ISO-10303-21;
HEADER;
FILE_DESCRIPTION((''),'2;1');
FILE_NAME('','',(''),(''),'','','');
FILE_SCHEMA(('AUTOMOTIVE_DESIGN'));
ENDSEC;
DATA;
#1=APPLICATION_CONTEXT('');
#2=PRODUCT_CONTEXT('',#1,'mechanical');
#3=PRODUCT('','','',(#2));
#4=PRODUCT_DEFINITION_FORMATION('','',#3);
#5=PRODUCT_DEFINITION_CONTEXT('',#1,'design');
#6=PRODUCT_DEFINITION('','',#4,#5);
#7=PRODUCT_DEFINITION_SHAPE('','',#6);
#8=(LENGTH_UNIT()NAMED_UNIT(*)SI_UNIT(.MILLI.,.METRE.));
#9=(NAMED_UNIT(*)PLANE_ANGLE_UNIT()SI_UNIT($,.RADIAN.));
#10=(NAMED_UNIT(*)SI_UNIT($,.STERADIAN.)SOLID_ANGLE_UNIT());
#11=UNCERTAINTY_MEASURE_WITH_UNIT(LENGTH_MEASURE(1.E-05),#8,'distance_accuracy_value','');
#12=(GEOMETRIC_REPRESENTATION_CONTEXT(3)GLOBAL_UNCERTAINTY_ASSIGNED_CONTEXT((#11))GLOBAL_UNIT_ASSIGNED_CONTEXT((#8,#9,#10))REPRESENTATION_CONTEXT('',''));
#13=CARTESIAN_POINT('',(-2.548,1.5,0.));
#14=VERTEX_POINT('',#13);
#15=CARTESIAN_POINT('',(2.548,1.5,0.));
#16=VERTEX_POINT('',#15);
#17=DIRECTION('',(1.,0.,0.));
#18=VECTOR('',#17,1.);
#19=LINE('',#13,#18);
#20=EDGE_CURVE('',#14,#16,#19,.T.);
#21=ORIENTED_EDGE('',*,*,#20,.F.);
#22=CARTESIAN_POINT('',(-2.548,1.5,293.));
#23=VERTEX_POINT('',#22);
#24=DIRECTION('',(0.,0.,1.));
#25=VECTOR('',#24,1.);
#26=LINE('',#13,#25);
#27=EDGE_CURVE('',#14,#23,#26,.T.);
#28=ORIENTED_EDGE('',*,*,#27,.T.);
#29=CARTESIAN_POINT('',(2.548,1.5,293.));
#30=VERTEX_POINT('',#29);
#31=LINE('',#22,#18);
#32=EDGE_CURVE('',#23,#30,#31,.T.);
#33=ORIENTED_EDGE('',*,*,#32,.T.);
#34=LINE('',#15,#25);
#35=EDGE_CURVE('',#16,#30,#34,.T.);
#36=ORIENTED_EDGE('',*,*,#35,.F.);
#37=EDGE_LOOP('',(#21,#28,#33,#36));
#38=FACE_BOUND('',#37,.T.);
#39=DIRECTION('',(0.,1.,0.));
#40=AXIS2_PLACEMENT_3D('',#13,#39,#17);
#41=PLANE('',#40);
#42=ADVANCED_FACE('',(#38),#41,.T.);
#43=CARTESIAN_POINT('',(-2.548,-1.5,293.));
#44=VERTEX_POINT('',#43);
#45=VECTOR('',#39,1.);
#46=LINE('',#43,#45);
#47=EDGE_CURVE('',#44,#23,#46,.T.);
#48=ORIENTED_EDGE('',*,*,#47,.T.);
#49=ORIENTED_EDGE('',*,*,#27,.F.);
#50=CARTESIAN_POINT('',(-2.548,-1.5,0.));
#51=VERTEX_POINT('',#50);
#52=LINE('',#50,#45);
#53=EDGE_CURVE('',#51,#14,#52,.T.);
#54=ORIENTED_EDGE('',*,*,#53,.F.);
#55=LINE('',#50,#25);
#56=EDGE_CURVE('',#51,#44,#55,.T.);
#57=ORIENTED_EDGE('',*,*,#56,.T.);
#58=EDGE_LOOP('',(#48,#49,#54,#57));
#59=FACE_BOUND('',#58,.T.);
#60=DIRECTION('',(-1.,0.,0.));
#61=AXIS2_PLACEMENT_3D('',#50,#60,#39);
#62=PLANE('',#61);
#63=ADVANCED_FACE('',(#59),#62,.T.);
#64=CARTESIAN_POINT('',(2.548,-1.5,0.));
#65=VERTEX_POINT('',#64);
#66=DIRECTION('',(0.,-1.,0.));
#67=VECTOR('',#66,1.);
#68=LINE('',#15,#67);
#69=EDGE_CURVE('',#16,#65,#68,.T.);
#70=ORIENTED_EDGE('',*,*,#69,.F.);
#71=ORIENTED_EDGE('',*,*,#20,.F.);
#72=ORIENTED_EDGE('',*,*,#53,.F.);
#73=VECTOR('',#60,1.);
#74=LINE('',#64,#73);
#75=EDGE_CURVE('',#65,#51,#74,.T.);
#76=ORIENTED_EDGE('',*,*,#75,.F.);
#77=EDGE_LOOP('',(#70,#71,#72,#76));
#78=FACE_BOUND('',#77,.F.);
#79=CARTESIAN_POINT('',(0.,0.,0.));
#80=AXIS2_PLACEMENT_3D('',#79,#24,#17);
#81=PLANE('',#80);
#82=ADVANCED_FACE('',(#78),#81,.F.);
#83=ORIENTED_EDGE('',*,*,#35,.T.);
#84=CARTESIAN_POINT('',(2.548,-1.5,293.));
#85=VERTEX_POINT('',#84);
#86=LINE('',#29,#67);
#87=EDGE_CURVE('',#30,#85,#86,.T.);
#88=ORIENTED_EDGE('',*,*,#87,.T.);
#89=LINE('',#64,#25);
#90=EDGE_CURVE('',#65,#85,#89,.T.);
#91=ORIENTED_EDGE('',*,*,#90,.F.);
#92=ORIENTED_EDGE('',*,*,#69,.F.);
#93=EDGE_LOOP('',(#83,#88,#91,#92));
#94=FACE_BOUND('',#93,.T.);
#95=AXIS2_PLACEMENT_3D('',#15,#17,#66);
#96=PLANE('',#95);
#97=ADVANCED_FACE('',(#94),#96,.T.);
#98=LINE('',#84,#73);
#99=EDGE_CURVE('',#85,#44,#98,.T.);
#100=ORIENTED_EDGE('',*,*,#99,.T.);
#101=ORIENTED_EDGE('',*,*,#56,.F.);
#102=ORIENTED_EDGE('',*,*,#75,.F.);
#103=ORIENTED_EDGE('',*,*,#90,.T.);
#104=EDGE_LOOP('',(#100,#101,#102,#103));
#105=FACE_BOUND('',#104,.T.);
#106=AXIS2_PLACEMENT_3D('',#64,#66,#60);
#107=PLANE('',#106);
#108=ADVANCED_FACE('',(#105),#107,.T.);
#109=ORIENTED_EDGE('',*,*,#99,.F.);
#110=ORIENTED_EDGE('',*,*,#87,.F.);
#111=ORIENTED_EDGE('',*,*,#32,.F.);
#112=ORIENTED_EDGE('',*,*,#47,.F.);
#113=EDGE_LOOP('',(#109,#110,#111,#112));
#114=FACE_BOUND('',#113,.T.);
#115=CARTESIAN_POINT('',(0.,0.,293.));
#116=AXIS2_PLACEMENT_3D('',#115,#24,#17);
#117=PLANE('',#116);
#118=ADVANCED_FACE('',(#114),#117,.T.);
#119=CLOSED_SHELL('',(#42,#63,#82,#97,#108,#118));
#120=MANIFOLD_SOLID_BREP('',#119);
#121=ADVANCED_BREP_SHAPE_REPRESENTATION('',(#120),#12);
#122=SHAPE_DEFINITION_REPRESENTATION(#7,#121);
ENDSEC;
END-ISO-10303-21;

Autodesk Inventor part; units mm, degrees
ref_plane "YZ Plane" through (0, 0, 0) normal (1, 0, 0) x (0, 1, 0)
ref_plane "XZ Plane" through (0, 0, 0) normal (0, 1, 0) x (-1, 0, 0)
ref_plane "XY Plane" through (0, 0, 0) normal (0, 0, 1) x (1, 0, 0)
sketch "Sketch1" plane through (0, 0, 0) normal (0, 0, 1) x (1, 0, 0)
  line L0 (-2.548, 1.5) -> (2.548, 1.5)
  line L1 (2.548, 1.5) -> (2.548, -1.5)
  line L2 (2.548, -1.5) -> (-2.548, -1.5)
  line L3 (-2.548, -1.5) -> (-2.548, 1.5)
  line L4 (-2.548, 1.5) -> (2.548, -1.5) construction
  line L5 (2.548, 1.5) -> (-2.548, -1.5) construction
  point P0 (0, 0)
  point P1 (0, 0)
  dimension "d0" = 5.096
  dimension "d1" = 3
extrude "Extrusion1" add sketch "Sketch1" along normal blind 293
properties part number "2P.03.01.14.IM.AilTopSpanBeam" material "Wood (Birch)"
